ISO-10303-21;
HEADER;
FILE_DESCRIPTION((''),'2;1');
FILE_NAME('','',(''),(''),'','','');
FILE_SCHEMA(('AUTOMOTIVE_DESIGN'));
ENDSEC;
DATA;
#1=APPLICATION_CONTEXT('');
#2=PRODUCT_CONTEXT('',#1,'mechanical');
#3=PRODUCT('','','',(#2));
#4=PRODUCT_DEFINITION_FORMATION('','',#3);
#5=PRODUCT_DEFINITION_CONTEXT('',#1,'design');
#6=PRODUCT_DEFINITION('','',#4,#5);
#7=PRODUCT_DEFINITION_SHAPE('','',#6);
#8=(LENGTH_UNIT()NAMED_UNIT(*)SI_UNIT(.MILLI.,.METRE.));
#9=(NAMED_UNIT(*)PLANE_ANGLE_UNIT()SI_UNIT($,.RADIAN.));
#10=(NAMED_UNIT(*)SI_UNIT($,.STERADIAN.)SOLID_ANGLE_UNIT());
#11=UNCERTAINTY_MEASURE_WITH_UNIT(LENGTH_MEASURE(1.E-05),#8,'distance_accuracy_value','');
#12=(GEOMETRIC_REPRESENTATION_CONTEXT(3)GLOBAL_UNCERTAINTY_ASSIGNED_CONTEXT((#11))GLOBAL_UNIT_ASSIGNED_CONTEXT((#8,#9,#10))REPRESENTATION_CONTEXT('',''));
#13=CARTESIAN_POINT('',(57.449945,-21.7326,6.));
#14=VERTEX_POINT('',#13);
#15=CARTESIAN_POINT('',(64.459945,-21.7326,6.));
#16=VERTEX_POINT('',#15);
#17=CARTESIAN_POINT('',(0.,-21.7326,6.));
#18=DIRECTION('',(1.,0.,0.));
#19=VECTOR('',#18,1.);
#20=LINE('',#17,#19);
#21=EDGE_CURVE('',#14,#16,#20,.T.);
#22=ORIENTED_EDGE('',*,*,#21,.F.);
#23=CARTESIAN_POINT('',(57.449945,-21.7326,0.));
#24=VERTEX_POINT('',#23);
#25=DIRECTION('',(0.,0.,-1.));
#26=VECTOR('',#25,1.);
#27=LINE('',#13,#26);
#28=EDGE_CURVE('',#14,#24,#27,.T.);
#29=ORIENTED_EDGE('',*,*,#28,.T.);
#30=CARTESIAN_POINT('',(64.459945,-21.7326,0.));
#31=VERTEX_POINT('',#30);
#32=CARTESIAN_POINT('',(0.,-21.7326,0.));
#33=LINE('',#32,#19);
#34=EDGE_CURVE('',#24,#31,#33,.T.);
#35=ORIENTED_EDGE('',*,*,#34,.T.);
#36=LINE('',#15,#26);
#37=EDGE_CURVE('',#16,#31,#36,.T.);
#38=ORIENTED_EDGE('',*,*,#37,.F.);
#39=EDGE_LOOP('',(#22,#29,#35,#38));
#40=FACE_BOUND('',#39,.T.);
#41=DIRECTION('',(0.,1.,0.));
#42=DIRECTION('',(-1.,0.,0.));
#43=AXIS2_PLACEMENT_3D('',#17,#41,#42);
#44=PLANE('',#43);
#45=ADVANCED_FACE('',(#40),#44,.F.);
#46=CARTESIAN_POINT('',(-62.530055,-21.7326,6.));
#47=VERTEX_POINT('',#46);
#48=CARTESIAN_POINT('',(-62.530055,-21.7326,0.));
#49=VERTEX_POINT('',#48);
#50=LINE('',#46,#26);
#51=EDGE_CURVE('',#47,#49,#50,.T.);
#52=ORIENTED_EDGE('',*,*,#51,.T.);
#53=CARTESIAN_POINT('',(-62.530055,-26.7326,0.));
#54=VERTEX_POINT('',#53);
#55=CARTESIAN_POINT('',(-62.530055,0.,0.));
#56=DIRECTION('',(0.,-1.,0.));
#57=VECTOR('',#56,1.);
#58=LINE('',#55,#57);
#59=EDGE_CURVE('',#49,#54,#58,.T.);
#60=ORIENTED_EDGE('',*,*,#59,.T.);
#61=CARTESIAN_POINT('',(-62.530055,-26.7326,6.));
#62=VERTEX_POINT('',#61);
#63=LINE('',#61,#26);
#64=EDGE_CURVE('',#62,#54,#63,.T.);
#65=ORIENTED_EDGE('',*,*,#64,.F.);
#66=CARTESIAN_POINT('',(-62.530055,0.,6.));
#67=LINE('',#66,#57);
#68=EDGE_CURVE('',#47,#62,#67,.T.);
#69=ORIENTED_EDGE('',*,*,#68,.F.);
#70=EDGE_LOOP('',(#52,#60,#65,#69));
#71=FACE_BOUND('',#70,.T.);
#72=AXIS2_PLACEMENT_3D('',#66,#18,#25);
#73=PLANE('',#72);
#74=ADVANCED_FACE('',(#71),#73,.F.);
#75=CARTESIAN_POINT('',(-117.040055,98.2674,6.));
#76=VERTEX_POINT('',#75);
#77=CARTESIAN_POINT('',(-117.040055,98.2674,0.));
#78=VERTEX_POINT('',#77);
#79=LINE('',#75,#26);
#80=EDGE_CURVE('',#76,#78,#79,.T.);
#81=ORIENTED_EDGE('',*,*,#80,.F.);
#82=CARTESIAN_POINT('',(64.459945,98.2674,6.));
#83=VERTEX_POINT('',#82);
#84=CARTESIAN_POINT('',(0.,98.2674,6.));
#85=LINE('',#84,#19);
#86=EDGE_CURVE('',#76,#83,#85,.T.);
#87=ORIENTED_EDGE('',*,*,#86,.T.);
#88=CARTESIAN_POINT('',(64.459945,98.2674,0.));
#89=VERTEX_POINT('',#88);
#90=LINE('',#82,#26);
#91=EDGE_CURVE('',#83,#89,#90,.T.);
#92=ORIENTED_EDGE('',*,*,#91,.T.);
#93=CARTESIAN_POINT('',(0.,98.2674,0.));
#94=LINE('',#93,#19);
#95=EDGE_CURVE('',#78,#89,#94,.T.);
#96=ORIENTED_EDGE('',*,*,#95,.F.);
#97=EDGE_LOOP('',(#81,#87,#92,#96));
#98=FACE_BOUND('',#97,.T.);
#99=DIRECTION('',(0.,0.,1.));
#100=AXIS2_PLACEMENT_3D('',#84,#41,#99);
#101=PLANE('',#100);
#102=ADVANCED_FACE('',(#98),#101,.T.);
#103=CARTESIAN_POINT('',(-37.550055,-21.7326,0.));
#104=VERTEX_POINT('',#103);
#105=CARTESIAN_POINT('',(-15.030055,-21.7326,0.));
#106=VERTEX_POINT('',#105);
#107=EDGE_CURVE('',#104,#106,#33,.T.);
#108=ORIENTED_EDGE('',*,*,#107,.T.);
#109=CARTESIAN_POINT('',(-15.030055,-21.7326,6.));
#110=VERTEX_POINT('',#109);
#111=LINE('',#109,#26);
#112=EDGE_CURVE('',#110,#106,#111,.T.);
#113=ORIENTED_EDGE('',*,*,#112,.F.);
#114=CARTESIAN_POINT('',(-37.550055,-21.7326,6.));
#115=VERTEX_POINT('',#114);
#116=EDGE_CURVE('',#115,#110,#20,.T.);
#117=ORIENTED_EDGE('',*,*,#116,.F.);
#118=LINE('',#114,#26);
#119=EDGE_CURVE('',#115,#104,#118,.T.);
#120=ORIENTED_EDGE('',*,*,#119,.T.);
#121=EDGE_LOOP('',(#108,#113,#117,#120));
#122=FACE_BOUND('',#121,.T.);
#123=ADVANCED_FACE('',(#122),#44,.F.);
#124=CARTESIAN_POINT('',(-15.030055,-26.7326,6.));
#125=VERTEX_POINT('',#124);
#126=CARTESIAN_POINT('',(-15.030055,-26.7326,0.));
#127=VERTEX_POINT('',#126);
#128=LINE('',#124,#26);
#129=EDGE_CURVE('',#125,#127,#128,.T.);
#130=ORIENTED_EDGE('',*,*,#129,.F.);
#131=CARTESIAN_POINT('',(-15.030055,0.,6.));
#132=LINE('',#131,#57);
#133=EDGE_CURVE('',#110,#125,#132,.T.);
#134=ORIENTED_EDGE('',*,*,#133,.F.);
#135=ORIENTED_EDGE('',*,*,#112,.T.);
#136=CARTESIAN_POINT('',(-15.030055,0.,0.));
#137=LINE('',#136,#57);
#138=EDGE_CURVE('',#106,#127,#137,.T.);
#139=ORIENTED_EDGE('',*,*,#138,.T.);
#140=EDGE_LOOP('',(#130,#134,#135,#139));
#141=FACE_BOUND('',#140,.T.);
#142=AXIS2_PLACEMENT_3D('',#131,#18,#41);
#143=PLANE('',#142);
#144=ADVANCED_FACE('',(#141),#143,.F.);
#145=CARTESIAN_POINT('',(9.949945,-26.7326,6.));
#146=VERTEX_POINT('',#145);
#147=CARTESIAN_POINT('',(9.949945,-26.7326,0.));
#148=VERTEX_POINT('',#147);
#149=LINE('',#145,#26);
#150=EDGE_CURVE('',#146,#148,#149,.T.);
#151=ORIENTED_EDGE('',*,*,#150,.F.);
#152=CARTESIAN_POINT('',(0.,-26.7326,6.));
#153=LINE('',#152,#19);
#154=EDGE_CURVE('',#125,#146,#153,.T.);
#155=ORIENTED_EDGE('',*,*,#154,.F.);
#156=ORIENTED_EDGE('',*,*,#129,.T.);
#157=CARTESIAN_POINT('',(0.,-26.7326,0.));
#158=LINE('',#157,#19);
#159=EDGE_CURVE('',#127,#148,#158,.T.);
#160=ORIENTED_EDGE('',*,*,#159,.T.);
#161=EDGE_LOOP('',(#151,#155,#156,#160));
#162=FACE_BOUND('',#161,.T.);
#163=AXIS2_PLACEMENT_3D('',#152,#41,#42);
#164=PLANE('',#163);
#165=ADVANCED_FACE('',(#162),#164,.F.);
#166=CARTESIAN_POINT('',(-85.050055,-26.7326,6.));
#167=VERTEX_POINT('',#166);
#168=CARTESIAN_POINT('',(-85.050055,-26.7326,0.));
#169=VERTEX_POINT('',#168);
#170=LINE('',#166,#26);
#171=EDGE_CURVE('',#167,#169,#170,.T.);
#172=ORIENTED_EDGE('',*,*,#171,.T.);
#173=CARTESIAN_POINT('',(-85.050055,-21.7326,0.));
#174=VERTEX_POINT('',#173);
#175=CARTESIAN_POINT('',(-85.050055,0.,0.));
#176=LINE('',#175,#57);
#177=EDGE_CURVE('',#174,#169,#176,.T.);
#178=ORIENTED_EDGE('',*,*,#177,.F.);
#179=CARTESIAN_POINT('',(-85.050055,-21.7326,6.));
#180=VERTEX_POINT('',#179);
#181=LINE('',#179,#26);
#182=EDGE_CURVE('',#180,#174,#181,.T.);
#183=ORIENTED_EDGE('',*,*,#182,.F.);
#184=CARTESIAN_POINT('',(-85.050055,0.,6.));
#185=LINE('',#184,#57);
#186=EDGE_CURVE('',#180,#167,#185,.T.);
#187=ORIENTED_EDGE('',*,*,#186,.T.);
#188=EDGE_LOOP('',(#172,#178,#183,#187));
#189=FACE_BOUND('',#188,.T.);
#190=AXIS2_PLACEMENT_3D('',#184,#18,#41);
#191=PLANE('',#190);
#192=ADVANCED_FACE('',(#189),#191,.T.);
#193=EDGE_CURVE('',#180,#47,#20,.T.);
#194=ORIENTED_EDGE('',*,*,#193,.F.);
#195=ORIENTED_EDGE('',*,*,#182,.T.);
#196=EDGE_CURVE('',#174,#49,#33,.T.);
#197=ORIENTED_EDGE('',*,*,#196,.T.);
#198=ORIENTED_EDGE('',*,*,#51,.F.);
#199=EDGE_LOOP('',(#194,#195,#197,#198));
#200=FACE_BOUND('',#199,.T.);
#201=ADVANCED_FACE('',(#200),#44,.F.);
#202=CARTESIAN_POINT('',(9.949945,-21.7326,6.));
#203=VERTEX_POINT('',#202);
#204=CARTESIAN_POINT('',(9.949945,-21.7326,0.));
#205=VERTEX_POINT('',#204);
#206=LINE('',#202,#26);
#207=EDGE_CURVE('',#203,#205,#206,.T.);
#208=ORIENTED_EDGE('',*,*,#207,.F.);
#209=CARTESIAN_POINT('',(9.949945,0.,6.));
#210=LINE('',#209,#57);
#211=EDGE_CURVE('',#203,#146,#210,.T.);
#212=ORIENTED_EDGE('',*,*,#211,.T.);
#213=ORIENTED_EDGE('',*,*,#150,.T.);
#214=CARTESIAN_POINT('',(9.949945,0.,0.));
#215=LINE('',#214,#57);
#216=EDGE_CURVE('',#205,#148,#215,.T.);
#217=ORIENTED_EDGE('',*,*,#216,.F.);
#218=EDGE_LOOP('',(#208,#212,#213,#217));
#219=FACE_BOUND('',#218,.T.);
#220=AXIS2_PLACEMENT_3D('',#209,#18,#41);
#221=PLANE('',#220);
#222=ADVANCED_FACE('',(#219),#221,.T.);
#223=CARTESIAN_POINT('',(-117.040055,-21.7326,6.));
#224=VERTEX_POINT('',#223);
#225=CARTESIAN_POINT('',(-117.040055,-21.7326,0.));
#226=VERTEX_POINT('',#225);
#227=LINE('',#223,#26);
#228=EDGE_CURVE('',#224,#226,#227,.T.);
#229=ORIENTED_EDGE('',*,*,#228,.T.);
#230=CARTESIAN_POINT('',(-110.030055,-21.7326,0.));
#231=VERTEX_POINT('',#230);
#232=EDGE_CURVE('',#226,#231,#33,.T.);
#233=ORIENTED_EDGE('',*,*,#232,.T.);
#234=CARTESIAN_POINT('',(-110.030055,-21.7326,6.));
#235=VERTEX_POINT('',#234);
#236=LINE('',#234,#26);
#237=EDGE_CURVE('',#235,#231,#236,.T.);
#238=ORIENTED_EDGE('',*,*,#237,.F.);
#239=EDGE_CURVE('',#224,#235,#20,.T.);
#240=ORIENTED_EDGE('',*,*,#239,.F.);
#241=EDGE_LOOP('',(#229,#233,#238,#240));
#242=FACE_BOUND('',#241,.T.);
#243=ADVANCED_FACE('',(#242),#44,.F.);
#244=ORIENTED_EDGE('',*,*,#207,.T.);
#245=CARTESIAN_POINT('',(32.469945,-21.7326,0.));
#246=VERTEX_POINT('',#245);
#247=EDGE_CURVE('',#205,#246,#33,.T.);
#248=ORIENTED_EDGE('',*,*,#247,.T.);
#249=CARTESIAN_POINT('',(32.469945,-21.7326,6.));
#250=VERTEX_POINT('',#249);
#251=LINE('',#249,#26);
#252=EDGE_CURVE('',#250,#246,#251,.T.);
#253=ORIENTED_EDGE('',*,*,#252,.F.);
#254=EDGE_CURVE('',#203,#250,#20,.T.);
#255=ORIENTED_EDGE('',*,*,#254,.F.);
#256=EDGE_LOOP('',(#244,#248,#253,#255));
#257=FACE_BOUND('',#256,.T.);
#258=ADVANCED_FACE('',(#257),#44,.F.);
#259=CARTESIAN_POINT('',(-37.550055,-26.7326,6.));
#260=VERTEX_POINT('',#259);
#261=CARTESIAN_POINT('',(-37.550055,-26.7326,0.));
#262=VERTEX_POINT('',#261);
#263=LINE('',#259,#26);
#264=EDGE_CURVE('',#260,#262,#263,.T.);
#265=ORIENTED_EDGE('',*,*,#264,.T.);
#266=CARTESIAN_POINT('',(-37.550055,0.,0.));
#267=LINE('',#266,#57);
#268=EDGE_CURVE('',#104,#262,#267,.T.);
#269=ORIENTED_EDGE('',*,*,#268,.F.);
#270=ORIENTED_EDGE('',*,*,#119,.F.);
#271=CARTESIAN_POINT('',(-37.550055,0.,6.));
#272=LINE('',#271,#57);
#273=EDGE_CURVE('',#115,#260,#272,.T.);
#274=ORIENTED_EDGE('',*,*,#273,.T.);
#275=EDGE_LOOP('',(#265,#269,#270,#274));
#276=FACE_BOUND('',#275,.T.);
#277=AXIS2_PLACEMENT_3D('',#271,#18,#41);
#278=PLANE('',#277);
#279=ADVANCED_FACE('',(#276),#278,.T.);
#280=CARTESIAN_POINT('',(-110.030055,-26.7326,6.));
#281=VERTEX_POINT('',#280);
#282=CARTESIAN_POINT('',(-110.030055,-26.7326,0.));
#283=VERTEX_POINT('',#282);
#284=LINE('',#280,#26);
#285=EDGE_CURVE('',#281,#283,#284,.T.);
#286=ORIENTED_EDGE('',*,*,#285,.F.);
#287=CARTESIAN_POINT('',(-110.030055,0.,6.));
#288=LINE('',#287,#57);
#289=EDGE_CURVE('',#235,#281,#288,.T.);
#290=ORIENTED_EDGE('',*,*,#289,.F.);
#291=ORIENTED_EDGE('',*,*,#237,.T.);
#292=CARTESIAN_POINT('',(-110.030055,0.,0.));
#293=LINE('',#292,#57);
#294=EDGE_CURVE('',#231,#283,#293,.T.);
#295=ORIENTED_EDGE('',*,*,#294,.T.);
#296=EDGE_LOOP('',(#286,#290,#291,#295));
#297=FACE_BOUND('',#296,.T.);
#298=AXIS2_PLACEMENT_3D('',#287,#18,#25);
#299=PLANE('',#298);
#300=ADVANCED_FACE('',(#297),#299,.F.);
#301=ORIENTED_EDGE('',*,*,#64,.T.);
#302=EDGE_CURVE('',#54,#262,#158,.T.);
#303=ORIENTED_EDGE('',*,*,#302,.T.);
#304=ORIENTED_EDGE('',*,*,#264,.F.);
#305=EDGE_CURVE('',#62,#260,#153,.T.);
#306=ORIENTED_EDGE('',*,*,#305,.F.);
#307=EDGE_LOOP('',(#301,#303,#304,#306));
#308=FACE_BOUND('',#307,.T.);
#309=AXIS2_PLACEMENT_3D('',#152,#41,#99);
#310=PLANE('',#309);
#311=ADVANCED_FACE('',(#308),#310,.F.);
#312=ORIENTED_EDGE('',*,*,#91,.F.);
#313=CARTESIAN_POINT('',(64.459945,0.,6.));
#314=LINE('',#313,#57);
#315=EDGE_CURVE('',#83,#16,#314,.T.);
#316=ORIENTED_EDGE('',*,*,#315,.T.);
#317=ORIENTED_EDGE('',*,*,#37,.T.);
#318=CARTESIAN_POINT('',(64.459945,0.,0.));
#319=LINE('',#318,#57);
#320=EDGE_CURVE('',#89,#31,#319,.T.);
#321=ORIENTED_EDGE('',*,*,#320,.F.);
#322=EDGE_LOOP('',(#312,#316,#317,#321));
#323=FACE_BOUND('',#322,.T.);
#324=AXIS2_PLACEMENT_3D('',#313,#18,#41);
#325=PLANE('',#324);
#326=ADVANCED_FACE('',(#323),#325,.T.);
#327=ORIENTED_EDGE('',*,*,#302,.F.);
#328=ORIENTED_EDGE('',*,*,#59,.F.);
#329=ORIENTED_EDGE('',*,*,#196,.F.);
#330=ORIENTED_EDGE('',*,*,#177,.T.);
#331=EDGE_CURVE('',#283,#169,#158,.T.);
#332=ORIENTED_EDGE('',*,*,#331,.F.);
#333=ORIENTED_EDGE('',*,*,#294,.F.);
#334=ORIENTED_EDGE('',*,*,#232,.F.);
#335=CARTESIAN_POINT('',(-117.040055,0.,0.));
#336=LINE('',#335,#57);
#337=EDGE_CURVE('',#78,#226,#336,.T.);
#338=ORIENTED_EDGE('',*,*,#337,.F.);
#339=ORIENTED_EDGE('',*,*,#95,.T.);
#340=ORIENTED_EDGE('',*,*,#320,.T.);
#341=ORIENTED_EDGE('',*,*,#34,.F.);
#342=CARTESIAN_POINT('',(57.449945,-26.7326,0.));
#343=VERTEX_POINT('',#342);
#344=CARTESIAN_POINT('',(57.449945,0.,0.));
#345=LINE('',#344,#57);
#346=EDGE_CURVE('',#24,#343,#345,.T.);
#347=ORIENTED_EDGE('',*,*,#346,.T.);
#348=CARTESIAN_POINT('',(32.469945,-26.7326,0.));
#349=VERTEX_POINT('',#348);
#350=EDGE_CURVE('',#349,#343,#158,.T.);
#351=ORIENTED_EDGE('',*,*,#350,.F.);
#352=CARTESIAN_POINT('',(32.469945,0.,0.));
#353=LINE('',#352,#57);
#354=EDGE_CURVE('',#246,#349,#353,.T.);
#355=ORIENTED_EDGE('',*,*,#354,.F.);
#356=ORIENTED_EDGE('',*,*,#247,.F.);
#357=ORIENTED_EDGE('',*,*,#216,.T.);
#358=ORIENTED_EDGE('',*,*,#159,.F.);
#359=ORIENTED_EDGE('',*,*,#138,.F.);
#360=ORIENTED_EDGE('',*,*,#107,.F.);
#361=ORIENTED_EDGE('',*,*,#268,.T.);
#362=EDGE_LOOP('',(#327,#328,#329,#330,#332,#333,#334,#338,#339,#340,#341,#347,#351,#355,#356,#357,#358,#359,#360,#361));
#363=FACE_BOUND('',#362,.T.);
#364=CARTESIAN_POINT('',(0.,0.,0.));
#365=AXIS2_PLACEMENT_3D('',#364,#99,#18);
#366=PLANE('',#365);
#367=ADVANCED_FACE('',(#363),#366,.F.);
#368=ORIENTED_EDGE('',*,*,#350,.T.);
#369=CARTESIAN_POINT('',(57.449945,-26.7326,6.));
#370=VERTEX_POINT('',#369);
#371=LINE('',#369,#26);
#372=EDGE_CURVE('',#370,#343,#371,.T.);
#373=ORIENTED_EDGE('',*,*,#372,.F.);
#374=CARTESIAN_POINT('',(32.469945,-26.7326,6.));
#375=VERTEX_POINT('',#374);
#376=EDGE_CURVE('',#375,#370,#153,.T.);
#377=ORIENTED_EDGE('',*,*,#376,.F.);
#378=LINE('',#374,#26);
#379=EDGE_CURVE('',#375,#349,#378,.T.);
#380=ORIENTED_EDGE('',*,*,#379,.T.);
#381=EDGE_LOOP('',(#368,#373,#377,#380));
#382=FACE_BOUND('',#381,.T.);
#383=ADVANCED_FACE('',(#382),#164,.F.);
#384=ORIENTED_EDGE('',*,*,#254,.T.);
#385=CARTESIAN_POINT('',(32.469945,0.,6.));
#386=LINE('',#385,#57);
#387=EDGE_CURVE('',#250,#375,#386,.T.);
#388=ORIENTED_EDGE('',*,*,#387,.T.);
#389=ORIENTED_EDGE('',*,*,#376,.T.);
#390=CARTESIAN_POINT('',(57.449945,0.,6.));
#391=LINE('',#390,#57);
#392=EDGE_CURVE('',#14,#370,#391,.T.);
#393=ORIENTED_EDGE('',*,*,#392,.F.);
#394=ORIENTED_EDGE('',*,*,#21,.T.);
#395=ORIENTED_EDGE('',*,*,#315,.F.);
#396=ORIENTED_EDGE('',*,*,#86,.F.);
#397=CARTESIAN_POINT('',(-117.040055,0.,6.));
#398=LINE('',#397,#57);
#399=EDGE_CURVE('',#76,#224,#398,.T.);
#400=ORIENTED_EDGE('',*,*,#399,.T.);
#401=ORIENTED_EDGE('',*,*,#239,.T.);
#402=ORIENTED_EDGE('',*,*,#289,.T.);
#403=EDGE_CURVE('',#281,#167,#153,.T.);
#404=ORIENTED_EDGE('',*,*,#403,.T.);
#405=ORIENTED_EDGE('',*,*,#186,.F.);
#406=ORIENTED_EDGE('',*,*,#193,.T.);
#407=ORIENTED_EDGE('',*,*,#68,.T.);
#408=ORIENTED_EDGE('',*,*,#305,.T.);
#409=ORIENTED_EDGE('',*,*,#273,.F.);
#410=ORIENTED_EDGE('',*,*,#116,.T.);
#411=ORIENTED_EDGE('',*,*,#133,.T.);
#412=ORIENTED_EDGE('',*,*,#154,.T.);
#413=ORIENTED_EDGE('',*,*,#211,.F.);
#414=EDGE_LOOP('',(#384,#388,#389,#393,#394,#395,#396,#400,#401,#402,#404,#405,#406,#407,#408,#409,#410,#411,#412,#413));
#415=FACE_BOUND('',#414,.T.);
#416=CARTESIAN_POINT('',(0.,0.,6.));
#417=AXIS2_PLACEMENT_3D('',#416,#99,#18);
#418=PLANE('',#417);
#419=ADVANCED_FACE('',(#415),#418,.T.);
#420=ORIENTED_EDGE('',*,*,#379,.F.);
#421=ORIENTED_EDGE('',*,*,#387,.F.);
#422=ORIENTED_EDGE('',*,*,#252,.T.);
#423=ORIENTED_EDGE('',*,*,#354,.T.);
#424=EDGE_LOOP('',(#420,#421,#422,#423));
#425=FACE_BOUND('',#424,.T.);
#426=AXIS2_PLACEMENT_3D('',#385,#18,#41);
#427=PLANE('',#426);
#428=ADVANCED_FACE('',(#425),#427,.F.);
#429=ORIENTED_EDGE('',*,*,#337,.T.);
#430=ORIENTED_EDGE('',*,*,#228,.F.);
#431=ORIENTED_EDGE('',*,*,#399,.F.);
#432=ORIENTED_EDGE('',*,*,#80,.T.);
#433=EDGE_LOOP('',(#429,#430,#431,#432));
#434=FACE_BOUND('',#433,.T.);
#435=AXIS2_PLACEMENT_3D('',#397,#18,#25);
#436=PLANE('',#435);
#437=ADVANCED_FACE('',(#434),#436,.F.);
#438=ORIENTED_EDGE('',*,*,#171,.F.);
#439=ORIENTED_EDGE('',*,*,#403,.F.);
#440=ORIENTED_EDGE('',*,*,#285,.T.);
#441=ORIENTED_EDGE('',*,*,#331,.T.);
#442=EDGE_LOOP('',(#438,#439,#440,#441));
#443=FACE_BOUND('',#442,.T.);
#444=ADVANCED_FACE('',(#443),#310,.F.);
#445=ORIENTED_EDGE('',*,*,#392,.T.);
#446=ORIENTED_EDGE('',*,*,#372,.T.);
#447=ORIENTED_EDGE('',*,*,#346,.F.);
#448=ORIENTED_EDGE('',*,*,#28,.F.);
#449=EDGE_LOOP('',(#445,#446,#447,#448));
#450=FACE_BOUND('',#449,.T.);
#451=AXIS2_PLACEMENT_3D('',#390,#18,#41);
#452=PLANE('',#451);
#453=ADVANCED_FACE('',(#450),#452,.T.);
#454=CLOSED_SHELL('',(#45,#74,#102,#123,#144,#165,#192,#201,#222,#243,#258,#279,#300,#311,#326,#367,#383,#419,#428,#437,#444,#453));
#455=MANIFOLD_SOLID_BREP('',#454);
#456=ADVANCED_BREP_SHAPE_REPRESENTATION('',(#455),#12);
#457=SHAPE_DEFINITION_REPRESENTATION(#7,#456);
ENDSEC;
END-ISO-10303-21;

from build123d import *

# Parameters (mm, degrees)
ESQUISSE1_W        = 181.5
ESQUISSE1_H        = 120
ESQUISSE1_W_2      = 24.98
ESQUISSE1_H_2      = 5
BOSS_EXTRU_1_DEPTH = 6


with BuildPart() as part:
    # Esquisse1 → Boss.-Extru.1 (new body)
    with BuildSketch(Plane.XY):
        with Locations((-26.290054673, 38.2674)):
            Rectangle(ESQUISSE1_W, ESQUISSE1_H)
        with Locations((-97.540054673, -24.2326)):
            Rectangle(ESQUISSE1_W_2, ESQUISSE1_H_2)
        with Locations((-50.040054673, -24.2326)):
            Rectangle(ESQUISSE1_W_2, ESQUISSE1_H_2)
        with Locations((-2.540054673, -24.2326)):
            Rectangle(ESQUISSE1_W_2, ESQUISSE1_H_2)
        with Locations((44.959945327, -24.2326)):
            Rectangle(ESQUISSE1_W_2, ESQUISSE1_H_2)
    extrude(amount=BOSS_EXTRU_1_DEPTH)


solid = part.part
